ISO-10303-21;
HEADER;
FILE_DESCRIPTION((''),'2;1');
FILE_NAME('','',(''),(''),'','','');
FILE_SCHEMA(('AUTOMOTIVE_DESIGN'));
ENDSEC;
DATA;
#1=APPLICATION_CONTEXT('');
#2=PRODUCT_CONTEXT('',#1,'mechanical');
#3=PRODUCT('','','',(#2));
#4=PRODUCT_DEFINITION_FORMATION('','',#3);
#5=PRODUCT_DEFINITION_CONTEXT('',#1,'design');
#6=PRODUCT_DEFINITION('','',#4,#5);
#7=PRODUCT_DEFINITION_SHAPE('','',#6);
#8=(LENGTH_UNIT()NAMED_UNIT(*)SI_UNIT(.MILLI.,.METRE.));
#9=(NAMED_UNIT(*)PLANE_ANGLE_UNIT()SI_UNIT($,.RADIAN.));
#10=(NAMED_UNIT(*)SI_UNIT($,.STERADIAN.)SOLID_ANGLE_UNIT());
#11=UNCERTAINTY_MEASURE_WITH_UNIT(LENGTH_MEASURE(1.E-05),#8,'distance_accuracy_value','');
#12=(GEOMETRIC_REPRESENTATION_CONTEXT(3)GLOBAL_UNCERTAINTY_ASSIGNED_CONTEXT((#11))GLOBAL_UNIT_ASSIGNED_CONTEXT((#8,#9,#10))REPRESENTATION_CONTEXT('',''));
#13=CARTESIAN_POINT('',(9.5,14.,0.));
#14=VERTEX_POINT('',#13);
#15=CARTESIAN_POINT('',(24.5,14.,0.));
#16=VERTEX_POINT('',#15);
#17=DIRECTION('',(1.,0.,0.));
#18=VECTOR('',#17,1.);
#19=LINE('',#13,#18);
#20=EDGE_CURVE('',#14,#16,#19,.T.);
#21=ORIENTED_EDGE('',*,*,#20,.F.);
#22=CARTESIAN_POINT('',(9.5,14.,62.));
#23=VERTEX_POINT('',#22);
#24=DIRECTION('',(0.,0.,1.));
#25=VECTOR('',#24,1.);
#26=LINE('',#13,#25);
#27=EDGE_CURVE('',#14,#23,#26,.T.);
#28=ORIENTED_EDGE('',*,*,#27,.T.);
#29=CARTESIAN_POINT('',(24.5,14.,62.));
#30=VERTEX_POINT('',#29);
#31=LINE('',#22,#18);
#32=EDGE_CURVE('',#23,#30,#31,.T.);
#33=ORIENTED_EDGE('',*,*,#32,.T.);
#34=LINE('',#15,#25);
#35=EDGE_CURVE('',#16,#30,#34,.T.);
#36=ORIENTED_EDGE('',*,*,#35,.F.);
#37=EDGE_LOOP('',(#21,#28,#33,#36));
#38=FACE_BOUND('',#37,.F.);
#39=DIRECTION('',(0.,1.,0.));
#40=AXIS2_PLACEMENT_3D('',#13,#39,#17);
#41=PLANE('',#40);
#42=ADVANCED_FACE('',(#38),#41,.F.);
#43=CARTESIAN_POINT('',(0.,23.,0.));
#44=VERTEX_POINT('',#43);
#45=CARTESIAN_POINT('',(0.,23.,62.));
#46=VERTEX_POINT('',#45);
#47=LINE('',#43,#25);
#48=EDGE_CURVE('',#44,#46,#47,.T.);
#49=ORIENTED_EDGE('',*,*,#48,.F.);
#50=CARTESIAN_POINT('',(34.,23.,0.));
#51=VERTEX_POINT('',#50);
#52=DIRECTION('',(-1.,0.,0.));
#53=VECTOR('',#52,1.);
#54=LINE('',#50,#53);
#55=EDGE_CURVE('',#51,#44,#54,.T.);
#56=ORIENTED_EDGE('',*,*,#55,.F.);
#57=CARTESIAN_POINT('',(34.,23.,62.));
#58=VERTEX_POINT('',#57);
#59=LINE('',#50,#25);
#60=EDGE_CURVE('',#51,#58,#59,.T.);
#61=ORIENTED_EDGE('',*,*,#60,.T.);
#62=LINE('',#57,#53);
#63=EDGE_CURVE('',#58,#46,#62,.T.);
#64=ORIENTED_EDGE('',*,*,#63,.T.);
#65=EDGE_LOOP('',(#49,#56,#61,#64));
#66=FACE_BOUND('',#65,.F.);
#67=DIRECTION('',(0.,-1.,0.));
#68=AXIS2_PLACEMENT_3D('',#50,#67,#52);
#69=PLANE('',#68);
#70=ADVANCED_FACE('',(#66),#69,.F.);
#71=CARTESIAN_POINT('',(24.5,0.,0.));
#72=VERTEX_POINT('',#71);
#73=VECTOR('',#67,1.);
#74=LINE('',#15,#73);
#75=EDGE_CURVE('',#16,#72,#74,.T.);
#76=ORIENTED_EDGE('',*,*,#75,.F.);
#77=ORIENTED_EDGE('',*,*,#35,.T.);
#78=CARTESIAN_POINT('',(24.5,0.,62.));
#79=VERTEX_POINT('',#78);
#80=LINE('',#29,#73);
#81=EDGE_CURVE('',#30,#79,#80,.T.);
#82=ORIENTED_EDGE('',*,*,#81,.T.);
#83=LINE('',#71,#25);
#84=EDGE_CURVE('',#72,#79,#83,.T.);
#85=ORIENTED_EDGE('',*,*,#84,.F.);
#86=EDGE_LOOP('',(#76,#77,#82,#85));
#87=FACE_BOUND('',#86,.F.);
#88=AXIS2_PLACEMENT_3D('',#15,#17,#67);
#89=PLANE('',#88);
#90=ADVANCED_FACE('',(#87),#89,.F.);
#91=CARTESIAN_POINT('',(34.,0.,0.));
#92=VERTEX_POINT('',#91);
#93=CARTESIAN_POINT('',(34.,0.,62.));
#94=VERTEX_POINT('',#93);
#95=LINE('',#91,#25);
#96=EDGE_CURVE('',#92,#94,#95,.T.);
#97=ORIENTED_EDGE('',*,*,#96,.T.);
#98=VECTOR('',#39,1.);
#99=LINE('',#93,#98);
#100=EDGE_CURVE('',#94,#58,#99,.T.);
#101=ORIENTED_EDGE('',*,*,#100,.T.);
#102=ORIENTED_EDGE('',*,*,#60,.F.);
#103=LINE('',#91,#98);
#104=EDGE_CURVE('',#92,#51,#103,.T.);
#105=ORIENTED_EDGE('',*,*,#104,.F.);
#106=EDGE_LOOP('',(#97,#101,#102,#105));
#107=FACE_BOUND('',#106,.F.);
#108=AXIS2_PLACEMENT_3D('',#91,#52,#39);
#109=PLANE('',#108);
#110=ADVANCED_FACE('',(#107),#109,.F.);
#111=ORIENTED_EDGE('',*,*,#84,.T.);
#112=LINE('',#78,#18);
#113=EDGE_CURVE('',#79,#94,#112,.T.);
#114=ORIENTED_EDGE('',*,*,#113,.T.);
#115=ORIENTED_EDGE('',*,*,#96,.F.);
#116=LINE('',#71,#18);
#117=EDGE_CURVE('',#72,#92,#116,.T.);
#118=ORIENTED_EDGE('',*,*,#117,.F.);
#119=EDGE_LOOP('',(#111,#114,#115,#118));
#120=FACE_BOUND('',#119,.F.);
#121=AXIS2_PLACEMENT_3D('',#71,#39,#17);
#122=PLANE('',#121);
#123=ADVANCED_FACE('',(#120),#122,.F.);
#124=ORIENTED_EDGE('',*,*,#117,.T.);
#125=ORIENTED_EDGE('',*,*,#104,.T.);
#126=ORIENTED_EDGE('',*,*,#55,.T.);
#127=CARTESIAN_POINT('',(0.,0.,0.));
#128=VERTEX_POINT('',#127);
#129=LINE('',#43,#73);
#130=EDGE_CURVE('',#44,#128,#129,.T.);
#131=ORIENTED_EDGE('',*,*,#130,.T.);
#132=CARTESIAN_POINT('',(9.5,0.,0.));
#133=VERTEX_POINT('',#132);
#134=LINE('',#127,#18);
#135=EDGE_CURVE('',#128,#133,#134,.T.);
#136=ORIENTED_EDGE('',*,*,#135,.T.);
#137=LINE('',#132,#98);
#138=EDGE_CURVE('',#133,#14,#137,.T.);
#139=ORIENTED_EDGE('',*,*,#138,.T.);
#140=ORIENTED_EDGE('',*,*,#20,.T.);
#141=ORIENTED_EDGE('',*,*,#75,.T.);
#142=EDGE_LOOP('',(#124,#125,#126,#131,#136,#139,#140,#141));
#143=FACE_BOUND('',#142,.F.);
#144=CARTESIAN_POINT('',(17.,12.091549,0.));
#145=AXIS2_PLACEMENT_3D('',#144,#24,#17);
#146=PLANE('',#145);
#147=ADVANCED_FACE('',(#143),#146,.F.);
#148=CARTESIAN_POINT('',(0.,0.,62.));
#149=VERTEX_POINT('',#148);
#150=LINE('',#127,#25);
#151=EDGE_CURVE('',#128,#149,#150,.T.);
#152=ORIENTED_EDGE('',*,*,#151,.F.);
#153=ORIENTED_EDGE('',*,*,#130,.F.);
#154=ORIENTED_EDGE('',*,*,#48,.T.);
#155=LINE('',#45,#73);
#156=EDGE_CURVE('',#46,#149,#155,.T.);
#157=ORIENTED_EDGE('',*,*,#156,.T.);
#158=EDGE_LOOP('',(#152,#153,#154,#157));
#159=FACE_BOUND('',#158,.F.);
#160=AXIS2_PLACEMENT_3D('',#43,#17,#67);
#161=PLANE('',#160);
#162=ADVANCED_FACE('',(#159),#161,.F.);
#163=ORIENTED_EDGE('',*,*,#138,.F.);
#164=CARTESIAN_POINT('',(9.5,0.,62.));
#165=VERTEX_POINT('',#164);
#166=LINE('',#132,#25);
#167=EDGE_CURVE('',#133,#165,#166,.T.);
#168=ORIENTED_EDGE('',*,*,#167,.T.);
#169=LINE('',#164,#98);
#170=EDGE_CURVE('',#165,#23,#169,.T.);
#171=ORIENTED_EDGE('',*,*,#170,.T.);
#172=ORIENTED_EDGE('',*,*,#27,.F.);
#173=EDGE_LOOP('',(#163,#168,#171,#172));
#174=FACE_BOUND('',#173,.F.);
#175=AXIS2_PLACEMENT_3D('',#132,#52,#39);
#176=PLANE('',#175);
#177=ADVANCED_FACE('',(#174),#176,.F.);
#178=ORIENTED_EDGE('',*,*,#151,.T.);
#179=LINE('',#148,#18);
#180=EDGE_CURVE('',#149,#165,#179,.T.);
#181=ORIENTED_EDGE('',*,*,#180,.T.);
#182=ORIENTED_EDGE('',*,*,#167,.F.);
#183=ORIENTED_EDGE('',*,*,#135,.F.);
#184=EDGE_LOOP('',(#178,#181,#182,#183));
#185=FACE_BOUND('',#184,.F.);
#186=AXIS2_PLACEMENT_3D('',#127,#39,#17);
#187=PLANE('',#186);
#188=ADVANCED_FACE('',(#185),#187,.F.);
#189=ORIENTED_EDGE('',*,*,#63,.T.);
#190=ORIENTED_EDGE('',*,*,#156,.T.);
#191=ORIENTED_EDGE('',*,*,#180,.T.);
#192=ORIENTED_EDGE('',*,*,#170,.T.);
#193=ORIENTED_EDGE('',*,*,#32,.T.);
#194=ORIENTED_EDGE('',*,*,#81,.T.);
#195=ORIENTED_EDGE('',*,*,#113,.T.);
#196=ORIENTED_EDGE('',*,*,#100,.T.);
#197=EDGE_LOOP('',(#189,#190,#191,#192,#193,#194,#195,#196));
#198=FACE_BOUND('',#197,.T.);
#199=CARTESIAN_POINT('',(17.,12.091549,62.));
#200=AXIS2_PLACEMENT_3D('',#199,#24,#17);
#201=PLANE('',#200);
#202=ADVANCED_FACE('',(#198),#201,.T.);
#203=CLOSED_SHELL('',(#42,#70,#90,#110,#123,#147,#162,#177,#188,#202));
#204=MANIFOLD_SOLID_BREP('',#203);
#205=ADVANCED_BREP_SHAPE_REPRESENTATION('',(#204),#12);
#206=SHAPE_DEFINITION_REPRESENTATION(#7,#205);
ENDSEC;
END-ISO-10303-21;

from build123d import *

# Parameters (mm, degrees)
PAD_DEPTH = 62


with BuildPart() as part:
    # Sketch → Pad (new body)
    with BuildSketch(Plane.XY):
        Polygon((0, 0), (9.5, 0), (9.5, 14), (24.5, 14), (24.5, 0), (34, 0), (34, 23), (0, 23), align=None)
    extrude(amount=PAD_DEPTH)


solid = part.part
